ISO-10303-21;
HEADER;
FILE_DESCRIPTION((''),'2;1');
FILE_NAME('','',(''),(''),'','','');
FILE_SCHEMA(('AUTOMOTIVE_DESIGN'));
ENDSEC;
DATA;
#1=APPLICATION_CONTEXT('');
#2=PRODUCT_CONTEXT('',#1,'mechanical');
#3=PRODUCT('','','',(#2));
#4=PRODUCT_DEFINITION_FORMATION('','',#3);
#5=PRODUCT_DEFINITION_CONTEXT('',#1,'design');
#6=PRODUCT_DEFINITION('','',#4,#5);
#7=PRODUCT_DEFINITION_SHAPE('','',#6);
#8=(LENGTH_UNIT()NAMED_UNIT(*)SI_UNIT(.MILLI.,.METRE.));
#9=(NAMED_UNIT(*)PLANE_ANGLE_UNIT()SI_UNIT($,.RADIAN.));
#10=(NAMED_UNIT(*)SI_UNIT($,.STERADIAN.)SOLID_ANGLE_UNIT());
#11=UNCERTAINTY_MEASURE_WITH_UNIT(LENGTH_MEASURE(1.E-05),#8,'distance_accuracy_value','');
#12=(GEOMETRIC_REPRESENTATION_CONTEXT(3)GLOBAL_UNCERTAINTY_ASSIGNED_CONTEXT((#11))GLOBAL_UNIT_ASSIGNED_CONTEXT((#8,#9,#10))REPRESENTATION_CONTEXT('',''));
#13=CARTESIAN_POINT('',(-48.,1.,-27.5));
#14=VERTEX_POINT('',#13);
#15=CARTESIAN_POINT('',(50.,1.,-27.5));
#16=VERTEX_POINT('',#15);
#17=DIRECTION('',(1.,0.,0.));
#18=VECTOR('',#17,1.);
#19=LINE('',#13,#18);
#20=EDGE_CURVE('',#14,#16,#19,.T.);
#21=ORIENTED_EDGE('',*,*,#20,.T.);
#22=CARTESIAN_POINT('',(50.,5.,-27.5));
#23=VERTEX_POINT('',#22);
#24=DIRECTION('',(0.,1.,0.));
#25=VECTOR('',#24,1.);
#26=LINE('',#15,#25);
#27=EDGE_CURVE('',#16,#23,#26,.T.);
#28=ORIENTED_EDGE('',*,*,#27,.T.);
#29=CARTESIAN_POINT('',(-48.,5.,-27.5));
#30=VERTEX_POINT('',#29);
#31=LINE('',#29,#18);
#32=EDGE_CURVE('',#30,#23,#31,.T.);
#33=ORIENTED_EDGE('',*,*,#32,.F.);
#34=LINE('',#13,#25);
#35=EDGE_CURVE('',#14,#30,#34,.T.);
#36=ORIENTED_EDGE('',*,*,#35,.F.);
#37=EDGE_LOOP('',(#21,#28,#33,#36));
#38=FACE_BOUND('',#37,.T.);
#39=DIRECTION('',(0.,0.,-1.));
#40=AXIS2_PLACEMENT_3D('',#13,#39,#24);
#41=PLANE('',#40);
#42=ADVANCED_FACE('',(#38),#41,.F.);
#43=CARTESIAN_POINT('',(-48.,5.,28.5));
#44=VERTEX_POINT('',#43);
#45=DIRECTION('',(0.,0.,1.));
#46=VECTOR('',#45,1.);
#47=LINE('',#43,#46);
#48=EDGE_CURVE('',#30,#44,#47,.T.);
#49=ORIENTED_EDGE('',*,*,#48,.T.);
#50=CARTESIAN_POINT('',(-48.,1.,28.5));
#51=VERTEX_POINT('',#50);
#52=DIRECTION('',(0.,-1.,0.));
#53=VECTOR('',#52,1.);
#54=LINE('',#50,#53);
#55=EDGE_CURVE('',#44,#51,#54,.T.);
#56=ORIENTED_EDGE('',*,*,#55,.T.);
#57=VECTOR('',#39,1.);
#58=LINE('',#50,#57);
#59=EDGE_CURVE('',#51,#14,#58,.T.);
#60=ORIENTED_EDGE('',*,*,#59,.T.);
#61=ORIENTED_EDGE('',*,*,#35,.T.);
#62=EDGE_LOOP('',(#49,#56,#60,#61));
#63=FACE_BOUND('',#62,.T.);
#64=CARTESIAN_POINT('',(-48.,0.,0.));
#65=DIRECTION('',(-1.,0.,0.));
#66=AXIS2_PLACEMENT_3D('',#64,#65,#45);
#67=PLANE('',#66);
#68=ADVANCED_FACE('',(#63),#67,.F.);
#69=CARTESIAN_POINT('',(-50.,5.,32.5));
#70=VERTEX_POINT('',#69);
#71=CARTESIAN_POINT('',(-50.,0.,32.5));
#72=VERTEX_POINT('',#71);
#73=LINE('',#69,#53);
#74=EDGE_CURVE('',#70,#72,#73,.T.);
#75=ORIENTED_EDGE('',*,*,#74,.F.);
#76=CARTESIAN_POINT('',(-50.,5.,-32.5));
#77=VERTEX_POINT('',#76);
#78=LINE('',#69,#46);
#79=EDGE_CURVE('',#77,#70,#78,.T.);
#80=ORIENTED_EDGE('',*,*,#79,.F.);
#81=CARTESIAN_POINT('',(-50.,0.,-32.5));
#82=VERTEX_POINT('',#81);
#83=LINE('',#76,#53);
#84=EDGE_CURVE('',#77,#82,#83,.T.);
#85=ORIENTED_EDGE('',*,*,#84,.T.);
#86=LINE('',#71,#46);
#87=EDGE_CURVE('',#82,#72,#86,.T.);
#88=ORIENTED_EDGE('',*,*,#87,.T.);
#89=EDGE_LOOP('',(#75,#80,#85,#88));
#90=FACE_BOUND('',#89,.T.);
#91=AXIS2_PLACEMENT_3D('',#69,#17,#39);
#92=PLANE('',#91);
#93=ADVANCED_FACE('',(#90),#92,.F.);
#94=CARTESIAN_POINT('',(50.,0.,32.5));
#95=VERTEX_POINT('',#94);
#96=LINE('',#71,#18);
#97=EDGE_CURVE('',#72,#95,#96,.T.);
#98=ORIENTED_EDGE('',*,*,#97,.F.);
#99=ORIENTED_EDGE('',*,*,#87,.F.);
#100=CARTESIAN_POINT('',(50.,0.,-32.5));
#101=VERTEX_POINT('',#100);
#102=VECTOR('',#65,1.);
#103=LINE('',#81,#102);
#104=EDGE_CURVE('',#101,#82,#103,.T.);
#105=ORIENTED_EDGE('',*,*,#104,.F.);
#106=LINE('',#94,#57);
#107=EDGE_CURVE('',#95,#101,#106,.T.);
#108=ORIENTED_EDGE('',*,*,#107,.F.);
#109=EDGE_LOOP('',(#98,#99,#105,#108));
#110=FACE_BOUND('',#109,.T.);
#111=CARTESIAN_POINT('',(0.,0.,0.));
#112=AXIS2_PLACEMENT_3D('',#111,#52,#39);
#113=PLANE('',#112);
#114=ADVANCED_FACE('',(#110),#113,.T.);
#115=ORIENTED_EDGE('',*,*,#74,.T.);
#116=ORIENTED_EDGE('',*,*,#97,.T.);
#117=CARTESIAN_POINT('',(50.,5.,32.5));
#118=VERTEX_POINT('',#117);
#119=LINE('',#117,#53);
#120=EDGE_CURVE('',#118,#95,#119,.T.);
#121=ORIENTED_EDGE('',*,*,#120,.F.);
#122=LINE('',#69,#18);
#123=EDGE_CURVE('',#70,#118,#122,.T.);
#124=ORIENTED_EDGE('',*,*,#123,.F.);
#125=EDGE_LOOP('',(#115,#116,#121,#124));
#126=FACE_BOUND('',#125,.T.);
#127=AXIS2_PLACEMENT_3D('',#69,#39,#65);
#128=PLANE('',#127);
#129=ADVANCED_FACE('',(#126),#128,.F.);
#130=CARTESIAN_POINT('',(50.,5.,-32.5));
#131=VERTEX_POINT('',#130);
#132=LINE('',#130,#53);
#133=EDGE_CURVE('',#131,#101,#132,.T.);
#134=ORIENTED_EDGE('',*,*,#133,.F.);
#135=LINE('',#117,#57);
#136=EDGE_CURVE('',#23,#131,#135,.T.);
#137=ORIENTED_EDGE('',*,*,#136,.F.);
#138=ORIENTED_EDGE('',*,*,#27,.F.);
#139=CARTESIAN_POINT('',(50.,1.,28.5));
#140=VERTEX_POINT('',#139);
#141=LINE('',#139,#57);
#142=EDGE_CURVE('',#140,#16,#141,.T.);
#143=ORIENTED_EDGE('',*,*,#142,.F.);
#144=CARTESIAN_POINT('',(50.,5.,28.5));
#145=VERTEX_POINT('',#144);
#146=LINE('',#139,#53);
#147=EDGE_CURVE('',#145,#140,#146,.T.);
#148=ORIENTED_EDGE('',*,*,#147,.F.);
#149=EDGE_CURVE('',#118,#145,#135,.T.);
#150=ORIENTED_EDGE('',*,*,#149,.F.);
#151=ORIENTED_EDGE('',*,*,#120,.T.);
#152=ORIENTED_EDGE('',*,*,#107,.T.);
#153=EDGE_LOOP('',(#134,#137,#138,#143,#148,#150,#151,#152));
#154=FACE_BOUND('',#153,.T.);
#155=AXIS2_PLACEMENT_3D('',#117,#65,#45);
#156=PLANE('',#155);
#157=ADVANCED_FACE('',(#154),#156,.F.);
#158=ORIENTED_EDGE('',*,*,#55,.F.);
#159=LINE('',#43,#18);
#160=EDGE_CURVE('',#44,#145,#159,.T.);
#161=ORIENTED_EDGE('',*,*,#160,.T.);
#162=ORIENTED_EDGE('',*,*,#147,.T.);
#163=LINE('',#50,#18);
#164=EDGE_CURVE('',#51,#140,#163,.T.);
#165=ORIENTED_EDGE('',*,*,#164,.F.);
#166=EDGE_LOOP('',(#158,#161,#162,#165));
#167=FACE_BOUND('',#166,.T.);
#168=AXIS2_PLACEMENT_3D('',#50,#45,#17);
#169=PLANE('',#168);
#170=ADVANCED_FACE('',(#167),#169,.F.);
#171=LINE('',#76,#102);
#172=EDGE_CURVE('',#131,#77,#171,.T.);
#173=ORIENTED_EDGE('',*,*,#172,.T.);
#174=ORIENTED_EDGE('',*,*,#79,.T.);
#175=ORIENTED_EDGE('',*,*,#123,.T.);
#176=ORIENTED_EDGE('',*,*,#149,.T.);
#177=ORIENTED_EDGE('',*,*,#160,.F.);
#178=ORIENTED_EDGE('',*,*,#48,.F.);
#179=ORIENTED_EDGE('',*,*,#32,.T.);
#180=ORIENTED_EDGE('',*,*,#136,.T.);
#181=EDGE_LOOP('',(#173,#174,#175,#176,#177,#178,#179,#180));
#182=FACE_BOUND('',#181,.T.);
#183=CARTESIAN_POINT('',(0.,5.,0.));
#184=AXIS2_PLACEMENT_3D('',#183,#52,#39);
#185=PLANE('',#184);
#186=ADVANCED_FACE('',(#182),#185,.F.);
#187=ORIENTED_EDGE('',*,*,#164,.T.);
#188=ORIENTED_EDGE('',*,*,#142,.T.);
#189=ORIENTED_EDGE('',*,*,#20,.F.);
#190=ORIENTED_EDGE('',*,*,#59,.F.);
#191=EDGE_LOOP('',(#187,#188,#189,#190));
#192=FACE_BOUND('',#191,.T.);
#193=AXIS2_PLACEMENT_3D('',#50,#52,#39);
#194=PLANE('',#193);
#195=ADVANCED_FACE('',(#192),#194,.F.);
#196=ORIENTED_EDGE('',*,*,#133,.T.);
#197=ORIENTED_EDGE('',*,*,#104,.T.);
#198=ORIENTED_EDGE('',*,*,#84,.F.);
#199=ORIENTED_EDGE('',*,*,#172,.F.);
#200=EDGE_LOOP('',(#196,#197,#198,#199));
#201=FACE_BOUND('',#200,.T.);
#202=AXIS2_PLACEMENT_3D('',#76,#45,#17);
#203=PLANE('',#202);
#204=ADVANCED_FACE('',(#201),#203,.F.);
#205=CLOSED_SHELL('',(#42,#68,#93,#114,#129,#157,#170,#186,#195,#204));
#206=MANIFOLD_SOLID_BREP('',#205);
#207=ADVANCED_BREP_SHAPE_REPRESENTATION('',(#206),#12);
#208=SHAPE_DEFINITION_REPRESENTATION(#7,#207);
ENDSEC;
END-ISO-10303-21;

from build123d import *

# Parameters (mm, degrees)
SKETCH3_W           = 100
SKETCH3_H           = 65
BOSS_EXTRUDE2_DEPTH = 5
SKETCH5_W           = 56
SKETCH5_H           = 4
CUT_EXTRUDE1_DEPTH  = 98


with BuildPart() as part:
    # Sketch3 → Boss-Extrude2 (new body)
    with BuildSketch(Plane(origin=(0, 0, 0), x_dir=(1, 0, 0), z_dir=(0, 1, 0))):
        Rectangle(SKETCH3_W, SKETCH3_H)
    extrude(amount=BOSS_EXTRUDE2_DEPTH)

    # Sketch5 → Cut-Extrude1 (cut)
    with BuildSketch(Plane(origin=(50, 0, 0), x_dir=(0, 0, -1), z_dir=(1, 0, 0))):
        with Locations((-0.5, 3)):
            Rectangle(SKETCH5_W, SKETCH5_H)
    extrude(amount=-CUT_EXTRUDE1_DEPTH, mode=Mode.SUBTRACT)


solid = part.part
